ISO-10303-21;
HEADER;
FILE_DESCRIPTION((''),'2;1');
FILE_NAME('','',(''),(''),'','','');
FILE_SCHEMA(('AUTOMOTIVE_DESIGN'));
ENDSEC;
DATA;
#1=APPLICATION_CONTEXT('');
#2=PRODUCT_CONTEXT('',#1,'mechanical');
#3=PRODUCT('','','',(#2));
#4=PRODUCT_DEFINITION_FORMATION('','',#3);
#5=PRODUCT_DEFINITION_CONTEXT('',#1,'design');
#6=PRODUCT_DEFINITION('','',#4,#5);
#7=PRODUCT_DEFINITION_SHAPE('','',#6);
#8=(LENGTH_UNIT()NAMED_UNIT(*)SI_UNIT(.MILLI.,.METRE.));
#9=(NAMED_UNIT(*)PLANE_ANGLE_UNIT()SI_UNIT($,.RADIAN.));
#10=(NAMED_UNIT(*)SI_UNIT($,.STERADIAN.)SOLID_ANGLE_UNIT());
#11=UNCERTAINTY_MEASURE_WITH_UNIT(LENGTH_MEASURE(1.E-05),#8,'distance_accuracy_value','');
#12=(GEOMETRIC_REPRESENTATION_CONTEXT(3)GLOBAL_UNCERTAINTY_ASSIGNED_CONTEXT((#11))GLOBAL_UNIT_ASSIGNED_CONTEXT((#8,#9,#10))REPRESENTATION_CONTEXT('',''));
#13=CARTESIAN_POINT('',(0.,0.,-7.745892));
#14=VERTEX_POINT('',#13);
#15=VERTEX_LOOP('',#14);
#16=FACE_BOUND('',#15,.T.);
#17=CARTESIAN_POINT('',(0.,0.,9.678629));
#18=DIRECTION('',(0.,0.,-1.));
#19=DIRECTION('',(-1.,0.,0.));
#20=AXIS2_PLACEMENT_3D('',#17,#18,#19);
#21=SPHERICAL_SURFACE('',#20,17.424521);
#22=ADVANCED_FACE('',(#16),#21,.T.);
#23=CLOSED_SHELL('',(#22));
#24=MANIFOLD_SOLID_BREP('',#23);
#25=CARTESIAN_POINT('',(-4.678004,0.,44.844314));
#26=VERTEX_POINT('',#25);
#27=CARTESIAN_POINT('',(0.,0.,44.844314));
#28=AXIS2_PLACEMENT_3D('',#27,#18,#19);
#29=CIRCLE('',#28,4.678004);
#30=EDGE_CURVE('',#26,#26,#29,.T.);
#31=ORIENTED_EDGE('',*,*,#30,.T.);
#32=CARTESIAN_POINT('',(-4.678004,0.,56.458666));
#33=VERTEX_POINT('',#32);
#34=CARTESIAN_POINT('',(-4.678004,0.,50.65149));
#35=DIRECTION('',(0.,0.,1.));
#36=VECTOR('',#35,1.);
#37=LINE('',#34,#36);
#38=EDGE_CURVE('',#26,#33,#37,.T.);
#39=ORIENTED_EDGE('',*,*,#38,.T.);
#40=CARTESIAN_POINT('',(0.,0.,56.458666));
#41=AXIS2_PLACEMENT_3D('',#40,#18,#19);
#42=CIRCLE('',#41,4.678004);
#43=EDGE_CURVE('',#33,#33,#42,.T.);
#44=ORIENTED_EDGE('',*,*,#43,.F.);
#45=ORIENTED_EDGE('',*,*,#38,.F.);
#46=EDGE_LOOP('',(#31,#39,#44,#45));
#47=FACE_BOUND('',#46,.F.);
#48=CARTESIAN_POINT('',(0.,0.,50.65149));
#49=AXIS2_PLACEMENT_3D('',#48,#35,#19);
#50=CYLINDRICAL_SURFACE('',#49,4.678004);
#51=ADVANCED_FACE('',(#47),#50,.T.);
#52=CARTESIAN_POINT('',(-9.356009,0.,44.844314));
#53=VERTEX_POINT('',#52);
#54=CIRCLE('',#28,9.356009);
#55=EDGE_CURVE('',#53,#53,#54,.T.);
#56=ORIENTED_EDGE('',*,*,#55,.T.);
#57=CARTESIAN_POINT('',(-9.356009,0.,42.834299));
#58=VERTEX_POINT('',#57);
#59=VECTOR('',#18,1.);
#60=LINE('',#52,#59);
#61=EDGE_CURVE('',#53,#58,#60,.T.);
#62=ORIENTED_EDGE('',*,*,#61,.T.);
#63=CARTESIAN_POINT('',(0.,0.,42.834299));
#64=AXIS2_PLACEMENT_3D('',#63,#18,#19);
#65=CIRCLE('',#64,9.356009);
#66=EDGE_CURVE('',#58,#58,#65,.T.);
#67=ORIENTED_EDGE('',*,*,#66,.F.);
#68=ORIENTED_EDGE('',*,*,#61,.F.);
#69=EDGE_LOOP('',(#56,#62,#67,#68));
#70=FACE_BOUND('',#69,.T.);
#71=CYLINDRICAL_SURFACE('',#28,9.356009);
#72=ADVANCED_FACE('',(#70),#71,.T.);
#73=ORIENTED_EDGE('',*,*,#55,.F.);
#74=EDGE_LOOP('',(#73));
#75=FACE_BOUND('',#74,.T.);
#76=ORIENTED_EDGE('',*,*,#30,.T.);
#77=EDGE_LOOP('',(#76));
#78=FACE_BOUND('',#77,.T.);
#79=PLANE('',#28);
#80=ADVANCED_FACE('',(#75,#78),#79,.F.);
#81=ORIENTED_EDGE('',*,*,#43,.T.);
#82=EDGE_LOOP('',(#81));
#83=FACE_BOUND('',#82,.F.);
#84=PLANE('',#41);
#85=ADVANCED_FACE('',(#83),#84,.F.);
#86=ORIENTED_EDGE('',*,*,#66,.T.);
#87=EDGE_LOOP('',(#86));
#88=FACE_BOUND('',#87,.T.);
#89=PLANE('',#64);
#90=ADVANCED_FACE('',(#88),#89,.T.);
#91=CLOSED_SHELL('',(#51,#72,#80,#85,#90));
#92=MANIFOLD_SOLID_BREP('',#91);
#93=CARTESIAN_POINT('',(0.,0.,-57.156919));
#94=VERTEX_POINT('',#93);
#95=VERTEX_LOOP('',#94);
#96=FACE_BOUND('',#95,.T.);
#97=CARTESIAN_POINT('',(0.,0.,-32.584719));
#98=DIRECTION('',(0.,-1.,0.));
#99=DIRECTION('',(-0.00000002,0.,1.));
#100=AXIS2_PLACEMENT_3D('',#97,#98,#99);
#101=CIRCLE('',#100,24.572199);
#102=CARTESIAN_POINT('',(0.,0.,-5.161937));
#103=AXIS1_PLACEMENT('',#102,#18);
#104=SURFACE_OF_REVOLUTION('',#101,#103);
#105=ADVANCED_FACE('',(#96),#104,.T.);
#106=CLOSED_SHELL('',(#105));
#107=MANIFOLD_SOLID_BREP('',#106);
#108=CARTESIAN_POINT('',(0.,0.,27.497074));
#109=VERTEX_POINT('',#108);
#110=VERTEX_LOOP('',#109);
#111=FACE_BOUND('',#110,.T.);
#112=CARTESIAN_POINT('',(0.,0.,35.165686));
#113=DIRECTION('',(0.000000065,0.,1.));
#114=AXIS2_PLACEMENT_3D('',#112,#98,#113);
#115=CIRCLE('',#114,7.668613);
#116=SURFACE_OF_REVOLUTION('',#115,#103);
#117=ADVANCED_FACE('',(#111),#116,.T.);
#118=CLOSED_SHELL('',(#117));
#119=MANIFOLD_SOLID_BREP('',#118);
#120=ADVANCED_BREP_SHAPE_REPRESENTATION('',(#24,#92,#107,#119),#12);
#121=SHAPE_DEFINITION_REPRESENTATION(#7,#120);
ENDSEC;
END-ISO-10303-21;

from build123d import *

# Parameters (mm, degrees)
F0_W = 4.678004
F0_H = 11.614353


with BuildPart() as f1:
    # F0 (on Front) → F1 (revolve)
    with BuildSketch(Plane.XZ):
        Polygon((-9.356009, 42.834299), (0, 42.834299), (0, 44.844314), (-4.678004, 44.844314), (-9.356009, 44.844314), align=None)
        with BuildLine():
            ThreePointArc((0, 42.834299), (-7.668613, 35.165686), (0, 27.497074))
            Line((0, 27.497074), (0, 42.834299))
        make_face()
        with BuildLine():
            ThreePointArc((0, 27.10315), (-17.424521, 9.678629), (0, -7.745892))
            Line((0, -7.745892), (0, 27.10315))
        make_face()
        with BuildLine():
            Line((0, -57.156919), (0, -8.01252))
            ThreePointArc((0, -8.01252), (-24.572199, -32.584719), (0, -57.156919))
        make_face()
        with Locations((-2.339002, 50.65149)):
            Rectangle(F0_W, F0_H)
    revolve(axis=Axis((0, 0, -5.161937), (0, 0, -1)))


solid = f1.part
